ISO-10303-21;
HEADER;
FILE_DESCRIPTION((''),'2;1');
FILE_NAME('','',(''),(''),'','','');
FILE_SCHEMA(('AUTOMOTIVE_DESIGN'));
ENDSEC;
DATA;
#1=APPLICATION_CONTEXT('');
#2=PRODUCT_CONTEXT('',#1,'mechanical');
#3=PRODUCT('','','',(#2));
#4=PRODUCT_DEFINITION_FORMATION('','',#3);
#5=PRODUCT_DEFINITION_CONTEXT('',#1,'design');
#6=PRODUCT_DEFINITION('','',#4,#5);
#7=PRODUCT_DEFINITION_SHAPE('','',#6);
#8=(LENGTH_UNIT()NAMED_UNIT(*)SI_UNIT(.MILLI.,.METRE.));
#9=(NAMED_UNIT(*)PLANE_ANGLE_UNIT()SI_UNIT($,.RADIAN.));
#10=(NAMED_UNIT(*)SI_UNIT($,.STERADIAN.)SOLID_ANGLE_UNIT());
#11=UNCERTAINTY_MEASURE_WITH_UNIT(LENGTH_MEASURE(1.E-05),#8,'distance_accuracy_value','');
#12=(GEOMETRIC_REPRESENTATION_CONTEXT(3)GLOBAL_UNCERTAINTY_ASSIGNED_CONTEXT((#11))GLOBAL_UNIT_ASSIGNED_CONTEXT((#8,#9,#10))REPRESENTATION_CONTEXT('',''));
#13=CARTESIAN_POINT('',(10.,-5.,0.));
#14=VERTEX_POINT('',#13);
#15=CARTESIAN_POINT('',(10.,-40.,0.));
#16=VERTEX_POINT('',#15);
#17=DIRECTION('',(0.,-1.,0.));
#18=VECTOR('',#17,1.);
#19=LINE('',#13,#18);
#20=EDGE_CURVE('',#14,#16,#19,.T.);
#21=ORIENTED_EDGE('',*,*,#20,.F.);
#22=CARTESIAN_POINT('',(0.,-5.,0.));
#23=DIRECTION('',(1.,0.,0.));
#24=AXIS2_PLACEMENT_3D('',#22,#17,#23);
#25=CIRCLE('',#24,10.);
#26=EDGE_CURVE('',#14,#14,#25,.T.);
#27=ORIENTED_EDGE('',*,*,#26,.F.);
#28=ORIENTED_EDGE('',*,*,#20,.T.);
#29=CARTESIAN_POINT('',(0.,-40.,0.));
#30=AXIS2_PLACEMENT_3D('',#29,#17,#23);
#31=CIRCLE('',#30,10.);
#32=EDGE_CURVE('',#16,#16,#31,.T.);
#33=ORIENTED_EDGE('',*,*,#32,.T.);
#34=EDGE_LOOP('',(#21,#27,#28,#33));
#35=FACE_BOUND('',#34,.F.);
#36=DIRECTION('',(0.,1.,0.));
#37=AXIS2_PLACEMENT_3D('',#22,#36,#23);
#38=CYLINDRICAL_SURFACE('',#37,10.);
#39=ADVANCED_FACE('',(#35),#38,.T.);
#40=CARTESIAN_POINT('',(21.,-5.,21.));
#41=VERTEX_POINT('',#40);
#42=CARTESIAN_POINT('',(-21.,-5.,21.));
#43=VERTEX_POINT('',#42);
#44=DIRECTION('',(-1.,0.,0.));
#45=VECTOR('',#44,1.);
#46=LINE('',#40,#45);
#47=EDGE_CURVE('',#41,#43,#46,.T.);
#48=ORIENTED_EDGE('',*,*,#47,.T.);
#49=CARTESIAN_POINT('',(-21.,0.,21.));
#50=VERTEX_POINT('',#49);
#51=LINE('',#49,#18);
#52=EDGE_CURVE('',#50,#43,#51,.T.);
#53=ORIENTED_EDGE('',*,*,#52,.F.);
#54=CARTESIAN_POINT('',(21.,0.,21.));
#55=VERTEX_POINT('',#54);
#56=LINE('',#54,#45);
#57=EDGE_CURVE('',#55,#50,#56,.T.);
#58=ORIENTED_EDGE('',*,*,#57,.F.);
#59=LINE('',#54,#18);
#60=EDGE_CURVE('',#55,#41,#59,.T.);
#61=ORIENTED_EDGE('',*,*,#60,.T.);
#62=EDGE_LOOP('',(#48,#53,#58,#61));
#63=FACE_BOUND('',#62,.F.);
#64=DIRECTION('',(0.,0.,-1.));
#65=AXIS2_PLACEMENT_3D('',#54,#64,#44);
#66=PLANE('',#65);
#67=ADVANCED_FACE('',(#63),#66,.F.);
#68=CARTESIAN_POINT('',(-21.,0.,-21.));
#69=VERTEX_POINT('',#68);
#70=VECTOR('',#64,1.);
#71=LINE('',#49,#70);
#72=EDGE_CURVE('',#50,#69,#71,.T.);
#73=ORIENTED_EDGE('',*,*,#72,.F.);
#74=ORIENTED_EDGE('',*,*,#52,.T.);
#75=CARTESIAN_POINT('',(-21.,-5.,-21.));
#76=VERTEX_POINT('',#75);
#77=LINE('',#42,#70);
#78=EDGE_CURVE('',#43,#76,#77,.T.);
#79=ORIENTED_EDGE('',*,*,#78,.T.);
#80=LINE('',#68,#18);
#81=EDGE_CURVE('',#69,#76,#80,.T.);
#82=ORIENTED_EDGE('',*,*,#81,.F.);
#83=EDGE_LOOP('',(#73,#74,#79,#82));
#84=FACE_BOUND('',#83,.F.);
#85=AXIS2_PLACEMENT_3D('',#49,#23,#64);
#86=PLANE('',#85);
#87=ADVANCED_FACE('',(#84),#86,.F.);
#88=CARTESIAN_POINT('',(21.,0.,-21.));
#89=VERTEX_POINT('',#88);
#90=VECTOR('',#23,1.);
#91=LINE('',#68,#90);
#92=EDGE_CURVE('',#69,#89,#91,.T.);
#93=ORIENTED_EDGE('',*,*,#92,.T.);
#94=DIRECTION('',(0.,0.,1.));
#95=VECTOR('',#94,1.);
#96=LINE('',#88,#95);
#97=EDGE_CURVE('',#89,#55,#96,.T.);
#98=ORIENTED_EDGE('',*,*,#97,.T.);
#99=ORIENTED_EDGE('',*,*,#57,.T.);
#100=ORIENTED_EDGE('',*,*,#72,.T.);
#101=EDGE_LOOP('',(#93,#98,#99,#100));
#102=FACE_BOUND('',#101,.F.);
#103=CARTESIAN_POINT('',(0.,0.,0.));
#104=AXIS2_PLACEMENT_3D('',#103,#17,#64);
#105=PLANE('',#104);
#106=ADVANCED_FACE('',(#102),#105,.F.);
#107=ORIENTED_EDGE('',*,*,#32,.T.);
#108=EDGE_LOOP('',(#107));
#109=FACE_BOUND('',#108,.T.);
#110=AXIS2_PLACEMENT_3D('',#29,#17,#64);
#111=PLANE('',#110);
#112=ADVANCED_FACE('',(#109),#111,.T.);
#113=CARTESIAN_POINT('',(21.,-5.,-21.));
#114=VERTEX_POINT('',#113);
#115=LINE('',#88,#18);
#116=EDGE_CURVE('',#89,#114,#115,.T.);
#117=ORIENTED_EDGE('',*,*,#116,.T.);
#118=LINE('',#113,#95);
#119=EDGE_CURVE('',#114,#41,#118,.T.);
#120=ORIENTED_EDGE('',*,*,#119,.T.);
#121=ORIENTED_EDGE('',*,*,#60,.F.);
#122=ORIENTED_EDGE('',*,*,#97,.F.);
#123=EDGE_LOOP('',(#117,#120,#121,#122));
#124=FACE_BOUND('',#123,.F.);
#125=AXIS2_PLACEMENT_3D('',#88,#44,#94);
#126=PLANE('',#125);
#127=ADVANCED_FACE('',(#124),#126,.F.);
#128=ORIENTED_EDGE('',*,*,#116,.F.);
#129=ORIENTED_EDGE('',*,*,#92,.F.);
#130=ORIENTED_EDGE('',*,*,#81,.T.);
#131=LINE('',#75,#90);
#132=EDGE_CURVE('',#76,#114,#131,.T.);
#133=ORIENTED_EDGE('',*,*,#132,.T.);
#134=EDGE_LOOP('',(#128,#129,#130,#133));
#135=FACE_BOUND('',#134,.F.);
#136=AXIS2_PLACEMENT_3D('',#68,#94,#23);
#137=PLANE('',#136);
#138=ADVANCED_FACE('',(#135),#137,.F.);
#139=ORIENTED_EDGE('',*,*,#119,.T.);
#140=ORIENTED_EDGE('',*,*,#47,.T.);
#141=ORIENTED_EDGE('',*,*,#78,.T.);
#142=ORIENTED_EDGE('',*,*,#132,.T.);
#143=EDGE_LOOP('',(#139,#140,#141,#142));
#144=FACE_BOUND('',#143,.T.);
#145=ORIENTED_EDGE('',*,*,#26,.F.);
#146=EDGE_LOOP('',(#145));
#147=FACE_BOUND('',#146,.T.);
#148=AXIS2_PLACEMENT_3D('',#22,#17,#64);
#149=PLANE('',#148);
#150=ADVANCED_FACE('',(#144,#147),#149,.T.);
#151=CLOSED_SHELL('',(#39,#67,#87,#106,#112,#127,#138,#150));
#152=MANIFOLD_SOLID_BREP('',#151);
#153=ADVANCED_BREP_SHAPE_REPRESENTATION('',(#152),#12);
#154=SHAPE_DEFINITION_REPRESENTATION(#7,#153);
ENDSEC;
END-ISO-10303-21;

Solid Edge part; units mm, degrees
sketch "Sketch1" plane through (0, 0, 0) normal (0, -1, 0) x (1, 0, 0)
  line L0 (21, -21) -> (21, 21)
  line L1 (21, 21) -> (-21, 21)
  line L2 (-21, 21) -> (-21, -21)
  line L3 (-21, -21) -> (21, -21)
extrude "Protrusion1" add sketch "Sketch1" along normal blind 5
sketch "Sketch2" plane through (0, -5, 0) normal (0, -1, 0) x (1, 0, 0)
  circle A0 centre (0, 0) radius 10
extrude "ExtrudedProtrusion_2" add sketch "Sketch2" along normal blind 35
